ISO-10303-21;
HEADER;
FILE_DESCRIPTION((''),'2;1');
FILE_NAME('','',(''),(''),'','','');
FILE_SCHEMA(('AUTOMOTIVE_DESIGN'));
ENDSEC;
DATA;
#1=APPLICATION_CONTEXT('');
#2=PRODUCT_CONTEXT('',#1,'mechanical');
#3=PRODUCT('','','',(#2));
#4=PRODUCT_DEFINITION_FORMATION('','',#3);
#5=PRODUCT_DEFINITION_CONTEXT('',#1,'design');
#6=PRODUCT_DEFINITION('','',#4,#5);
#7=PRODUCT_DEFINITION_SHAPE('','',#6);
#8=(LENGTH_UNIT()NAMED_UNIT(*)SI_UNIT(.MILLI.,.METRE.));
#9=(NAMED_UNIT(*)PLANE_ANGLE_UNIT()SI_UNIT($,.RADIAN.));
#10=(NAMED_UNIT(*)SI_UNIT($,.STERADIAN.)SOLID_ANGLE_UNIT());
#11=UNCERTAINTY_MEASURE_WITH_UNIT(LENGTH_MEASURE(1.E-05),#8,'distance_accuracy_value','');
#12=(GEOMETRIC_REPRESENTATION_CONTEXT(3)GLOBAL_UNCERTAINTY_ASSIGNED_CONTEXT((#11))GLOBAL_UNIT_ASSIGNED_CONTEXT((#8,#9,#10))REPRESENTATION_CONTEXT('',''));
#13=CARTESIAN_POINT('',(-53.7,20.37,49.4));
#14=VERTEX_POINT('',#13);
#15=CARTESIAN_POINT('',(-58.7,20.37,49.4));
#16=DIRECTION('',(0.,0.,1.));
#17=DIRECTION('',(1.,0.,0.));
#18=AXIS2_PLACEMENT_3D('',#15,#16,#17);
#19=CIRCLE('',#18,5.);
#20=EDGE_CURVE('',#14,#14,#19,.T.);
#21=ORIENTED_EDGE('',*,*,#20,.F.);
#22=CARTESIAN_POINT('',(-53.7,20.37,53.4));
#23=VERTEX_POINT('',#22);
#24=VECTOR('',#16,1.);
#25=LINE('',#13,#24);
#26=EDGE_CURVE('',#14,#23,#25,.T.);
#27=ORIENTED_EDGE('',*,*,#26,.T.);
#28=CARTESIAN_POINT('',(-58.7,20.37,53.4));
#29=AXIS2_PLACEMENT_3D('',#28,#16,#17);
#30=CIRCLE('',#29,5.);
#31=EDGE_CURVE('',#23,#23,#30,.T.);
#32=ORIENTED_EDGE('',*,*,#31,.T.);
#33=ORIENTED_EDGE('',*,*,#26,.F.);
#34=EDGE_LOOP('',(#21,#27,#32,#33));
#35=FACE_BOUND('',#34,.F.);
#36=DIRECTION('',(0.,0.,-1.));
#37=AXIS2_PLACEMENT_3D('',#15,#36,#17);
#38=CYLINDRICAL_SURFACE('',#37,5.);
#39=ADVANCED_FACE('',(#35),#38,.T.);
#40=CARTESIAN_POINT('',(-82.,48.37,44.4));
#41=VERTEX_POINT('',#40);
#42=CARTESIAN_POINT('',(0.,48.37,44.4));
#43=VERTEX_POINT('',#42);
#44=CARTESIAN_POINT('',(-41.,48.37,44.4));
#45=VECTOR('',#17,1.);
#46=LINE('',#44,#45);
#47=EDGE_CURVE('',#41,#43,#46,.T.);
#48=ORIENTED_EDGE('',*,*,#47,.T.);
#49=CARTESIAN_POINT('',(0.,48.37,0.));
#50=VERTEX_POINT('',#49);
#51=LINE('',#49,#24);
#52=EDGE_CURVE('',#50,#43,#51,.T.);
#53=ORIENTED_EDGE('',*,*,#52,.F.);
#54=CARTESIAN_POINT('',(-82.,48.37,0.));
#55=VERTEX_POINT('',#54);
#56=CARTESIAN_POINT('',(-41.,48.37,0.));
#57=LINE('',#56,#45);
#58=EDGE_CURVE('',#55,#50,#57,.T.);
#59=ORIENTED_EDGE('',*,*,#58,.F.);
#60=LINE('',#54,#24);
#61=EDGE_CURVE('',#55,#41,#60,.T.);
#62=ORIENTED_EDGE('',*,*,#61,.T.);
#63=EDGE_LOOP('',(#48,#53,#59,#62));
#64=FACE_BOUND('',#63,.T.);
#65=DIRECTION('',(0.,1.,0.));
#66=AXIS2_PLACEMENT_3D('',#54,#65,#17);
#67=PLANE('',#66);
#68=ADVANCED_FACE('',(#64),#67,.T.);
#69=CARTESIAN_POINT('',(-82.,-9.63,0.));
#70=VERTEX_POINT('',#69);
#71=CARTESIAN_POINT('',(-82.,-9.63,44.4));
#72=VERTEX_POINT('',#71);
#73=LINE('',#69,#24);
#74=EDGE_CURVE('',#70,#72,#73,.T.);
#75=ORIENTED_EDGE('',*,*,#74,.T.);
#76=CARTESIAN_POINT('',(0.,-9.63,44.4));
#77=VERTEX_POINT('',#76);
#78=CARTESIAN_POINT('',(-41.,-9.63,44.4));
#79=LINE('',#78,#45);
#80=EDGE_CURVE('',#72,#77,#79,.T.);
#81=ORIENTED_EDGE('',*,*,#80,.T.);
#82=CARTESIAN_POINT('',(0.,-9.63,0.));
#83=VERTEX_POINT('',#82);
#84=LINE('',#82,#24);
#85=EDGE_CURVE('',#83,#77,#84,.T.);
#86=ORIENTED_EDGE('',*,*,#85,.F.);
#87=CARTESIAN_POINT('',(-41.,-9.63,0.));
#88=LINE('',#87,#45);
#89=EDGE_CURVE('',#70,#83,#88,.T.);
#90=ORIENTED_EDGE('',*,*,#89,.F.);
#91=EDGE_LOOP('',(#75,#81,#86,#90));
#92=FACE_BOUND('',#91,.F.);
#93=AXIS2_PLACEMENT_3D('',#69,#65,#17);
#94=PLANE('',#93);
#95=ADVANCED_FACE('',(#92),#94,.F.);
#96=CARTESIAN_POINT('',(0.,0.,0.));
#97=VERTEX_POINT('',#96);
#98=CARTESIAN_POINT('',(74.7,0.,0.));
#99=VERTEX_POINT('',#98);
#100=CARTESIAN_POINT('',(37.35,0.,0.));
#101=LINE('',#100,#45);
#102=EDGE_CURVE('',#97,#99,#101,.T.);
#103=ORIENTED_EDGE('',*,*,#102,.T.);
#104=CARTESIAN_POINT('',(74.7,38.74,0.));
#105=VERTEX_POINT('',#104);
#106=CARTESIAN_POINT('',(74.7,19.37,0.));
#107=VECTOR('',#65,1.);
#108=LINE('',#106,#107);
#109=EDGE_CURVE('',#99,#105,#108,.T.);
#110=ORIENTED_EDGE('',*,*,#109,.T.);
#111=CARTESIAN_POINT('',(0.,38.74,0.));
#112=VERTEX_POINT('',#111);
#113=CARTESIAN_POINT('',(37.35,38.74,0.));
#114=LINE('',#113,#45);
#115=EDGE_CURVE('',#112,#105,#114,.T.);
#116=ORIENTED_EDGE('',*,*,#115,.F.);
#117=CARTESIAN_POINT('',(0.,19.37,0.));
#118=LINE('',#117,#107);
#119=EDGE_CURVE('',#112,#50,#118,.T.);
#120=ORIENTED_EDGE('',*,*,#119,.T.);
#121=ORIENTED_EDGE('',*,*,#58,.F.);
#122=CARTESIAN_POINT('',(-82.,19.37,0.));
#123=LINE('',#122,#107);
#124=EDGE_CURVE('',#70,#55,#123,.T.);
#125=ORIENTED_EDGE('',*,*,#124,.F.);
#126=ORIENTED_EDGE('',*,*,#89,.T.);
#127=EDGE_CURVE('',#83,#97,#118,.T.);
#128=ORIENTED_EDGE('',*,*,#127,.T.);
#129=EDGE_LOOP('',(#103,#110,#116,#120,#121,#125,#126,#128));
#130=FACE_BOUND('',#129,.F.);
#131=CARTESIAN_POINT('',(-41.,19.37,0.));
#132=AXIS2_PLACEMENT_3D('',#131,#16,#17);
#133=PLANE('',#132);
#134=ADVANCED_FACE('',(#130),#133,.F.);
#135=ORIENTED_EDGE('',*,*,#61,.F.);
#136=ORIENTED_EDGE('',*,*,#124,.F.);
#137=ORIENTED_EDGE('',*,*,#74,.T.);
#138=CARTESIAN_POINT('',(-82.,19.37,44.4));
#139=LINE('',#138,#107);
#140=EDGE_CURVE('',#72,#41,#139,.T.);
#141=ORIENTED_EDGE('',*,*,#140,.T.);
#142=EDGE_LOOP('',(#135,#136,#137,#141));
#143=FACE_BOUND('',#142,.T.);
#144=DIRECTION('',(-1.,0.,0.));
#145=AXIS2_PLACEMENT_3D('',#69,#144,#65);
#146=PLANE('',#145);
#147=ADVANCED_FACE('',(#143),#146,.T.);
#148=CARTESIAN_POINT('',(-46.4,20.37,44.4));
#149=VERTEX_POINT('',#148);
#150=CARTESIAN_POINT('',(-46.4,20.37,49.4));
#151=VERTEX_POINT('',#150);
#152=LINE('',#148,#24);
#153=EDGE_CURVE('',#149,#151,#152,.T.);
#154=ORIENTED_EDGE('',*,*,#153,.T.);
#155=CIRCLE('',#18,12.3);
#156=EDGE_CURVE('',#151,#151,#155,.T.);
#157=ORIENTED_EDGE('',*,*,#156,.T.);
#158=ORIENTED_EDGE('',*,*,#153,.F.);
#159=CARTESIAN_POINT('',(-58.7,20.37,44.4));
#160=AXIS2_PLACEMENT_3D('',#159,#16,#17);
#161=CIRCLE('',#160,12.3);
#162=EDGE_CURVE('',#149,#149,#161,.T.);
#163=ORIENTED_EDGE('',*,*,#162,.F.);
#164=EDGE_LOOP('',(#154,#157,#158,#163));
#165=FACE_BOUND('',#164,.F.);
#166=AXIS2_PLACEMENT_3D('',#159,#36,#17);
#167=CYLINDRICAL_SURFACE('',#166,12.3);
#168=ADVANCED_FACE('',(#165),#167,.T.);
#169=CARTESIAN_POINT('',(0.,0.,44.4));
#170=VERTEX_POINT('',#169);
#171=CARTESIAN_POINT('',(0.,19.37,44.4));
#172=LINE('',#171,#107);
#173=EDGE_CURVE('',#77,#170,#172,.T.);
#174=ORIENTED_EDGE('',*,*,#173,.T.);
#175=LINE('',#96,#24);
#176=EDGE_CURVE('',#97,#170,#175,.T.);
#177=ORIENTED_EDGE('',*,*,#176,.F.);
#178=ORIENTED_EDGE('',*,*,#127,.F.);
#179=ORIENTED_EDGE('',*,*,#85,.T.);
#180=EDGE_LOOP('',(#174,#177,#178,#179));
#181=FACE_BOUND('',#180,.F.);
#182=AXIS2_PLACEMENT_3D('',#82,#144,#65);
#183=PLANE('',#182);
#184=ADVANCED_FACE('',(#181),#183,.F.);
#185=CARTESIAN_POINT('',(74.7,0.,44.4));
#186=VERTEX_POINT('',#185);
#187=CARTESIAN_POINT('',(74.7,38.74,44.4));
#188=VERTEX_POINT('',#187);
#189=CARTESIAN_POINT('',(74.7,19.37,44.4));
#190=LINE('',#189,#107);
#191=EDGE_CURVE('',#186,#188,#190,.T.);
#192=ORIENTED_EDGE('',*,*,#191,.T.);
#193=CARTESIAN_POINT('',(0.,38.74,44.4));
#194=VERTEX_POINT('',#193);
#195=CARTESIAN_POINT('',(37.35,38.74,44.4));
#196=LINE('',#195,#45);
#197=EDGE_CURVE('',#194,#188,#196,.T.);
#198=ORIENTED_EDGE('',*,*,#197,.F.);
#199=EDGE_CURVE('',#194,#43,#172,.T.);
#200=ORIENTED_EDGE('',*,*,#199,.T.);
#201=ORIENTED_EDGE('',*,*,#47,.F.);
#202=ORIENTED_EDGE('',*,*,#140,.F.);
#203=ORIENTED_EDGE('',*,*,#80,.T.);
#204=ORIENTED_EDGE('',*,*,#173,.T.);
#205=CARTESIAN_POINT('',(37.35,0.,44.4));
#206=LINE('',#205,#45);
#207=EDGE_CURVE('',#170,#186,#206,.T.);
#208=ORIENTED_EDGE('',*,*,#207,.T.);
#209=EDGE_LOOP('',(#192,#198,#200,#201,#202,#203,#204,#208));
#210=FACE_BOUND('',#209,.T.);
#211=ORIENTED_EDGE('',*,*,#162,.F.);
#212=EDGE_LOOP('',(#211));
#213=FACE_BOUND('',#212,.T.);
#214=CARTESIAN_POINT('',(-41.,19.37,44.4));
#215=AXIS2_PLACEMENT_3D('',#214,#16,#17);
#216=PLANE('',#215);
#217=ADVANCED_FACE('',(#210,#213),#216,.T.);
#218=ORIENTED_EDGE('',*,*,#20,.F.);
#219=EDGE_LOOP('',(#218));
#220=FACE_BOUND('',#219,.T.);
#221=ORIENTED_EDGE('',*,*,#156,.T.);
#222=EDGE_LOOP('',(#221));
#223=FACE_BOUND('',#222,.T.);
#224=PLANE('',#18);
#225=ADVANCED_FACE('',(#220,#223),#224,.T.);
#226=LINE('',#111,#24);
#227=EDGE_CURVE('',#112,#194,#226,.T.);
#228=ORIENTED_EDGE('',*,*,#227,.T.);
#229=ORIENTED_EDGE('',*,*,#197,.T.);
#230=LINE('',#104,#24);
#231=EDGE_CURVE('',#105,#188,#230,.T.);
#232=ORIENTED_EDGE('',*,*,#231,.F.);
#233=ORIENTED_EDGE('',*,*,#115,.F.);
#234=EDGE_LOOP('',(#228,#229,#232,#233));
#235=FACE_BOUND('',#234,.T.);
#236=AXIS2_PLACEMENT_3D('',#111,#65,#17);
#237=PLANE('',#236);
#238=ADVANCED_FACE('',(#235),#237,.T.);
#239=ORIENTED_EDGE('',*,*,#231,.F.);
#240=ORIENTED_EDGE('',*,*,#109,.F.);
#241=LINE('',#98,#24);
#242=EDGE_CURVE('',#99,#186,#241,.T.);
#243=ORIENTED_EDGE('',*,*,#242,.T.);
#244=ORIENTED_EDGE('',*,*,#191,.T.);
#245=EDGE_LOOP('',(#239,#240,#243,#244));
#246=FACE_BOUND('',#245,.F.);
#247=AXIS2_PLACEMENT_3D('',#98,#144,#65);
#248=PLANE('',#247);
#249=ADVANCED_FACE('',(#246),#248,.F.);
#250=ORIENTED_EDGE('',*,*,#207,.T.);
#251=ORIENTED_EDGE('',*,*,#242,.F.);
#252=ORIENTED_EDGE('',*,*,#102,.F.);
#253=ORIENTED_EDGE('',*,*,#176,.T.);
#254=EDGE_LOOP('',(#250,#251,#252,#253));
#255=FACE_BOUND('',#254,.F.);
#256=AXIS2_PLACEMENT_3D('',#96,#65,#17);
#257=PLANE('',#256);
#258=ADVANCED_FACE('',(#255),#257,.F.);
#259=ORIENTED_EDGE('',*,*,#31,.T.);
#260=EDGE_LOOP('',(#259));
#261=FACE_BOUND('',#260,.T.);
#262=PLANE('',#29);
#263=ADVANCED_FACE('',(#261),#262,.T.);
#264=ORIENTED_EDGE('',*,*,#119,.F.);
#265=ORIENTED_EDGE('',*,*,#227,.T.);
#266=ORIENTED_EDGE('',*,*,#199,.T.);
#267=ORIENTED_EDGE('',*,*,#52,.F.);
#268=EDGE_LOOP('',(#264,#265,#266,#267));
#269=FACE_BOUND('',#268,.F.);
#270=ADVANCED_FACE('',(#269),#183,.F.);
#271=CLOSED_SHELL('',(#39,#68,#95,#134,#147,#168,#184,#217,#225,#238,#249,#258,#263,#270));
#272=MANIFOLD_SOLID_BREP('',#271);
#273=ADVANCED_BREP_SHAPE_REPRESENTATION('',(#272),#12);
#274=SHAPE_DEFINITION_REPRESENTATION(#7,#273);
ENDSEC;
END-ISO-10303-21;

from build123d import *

# Parameters (mm, degrees)
SKETCH001_R      = 5
EXTRUDE001_DEPTH = 4
SKETCH_R         = 12.3
EXTRUDE_DEPTH    = 5
BOX001_W         = 82
BOX001_H         = 58
BOX001_DEPTH     = 44.4
BOX_W            = 74.7
BOX_H            = 38.74
BOX_DEPTH        = 44.4


with BuildPart() as extrude001:
    # Sketch001 (on Face3 of Extrude) → Extrude001 (new body)
    with BuildSketch(Plane.XY.offset(49.4)):
        with Locations((-58.7, 20.37)):
            Circle(SKETCH001_R)
    extrude(amount=EXTRUDE001_DEPTH)


with BuildPart() as extrude_body:
    # Sketch (on Face6 of Box001) → Extrude (new body)
    with BuildSketch(Plane(origin=(-82, -9.63, 44.4), x_dir=(1, 0, 0), z_dir=(0, 0, 1))):
        with Locations((23.3, 30)):
            Circle(SKETCH_R)
    extrude(amount=EXTRUDE_DEPTH)


with BuildPart() as cube001:
    # Box001 → Box001 (new body)
    with BuildSketch(Plane(origin=(-82, -9.63, 0), x_dir=(1, 0, 0), z_dir=(0, 0, 1))):
        with Locations((41, 29)):
            Rectangle(BOX001_W, BOX001_H)
    extrude(amount=BOX001_DEPTH)


with BuildPart() as fusion003:
    # Box → Box (new body)
    with BuildSketch(Plane.XY):
        with Locations((37.35, 19.37)):
            Rectangle(BOX_W, BOX_H)
    extrude(amount=BOX_DEPTH)

    # Fusion: union Cube001
    add(cube001.part)

    # Fusion002: union Extrude body
    add(extrude_body.part)

    # Fusion003: union Extrude001
    add(extrude001.part)


solid = fusion003.part
